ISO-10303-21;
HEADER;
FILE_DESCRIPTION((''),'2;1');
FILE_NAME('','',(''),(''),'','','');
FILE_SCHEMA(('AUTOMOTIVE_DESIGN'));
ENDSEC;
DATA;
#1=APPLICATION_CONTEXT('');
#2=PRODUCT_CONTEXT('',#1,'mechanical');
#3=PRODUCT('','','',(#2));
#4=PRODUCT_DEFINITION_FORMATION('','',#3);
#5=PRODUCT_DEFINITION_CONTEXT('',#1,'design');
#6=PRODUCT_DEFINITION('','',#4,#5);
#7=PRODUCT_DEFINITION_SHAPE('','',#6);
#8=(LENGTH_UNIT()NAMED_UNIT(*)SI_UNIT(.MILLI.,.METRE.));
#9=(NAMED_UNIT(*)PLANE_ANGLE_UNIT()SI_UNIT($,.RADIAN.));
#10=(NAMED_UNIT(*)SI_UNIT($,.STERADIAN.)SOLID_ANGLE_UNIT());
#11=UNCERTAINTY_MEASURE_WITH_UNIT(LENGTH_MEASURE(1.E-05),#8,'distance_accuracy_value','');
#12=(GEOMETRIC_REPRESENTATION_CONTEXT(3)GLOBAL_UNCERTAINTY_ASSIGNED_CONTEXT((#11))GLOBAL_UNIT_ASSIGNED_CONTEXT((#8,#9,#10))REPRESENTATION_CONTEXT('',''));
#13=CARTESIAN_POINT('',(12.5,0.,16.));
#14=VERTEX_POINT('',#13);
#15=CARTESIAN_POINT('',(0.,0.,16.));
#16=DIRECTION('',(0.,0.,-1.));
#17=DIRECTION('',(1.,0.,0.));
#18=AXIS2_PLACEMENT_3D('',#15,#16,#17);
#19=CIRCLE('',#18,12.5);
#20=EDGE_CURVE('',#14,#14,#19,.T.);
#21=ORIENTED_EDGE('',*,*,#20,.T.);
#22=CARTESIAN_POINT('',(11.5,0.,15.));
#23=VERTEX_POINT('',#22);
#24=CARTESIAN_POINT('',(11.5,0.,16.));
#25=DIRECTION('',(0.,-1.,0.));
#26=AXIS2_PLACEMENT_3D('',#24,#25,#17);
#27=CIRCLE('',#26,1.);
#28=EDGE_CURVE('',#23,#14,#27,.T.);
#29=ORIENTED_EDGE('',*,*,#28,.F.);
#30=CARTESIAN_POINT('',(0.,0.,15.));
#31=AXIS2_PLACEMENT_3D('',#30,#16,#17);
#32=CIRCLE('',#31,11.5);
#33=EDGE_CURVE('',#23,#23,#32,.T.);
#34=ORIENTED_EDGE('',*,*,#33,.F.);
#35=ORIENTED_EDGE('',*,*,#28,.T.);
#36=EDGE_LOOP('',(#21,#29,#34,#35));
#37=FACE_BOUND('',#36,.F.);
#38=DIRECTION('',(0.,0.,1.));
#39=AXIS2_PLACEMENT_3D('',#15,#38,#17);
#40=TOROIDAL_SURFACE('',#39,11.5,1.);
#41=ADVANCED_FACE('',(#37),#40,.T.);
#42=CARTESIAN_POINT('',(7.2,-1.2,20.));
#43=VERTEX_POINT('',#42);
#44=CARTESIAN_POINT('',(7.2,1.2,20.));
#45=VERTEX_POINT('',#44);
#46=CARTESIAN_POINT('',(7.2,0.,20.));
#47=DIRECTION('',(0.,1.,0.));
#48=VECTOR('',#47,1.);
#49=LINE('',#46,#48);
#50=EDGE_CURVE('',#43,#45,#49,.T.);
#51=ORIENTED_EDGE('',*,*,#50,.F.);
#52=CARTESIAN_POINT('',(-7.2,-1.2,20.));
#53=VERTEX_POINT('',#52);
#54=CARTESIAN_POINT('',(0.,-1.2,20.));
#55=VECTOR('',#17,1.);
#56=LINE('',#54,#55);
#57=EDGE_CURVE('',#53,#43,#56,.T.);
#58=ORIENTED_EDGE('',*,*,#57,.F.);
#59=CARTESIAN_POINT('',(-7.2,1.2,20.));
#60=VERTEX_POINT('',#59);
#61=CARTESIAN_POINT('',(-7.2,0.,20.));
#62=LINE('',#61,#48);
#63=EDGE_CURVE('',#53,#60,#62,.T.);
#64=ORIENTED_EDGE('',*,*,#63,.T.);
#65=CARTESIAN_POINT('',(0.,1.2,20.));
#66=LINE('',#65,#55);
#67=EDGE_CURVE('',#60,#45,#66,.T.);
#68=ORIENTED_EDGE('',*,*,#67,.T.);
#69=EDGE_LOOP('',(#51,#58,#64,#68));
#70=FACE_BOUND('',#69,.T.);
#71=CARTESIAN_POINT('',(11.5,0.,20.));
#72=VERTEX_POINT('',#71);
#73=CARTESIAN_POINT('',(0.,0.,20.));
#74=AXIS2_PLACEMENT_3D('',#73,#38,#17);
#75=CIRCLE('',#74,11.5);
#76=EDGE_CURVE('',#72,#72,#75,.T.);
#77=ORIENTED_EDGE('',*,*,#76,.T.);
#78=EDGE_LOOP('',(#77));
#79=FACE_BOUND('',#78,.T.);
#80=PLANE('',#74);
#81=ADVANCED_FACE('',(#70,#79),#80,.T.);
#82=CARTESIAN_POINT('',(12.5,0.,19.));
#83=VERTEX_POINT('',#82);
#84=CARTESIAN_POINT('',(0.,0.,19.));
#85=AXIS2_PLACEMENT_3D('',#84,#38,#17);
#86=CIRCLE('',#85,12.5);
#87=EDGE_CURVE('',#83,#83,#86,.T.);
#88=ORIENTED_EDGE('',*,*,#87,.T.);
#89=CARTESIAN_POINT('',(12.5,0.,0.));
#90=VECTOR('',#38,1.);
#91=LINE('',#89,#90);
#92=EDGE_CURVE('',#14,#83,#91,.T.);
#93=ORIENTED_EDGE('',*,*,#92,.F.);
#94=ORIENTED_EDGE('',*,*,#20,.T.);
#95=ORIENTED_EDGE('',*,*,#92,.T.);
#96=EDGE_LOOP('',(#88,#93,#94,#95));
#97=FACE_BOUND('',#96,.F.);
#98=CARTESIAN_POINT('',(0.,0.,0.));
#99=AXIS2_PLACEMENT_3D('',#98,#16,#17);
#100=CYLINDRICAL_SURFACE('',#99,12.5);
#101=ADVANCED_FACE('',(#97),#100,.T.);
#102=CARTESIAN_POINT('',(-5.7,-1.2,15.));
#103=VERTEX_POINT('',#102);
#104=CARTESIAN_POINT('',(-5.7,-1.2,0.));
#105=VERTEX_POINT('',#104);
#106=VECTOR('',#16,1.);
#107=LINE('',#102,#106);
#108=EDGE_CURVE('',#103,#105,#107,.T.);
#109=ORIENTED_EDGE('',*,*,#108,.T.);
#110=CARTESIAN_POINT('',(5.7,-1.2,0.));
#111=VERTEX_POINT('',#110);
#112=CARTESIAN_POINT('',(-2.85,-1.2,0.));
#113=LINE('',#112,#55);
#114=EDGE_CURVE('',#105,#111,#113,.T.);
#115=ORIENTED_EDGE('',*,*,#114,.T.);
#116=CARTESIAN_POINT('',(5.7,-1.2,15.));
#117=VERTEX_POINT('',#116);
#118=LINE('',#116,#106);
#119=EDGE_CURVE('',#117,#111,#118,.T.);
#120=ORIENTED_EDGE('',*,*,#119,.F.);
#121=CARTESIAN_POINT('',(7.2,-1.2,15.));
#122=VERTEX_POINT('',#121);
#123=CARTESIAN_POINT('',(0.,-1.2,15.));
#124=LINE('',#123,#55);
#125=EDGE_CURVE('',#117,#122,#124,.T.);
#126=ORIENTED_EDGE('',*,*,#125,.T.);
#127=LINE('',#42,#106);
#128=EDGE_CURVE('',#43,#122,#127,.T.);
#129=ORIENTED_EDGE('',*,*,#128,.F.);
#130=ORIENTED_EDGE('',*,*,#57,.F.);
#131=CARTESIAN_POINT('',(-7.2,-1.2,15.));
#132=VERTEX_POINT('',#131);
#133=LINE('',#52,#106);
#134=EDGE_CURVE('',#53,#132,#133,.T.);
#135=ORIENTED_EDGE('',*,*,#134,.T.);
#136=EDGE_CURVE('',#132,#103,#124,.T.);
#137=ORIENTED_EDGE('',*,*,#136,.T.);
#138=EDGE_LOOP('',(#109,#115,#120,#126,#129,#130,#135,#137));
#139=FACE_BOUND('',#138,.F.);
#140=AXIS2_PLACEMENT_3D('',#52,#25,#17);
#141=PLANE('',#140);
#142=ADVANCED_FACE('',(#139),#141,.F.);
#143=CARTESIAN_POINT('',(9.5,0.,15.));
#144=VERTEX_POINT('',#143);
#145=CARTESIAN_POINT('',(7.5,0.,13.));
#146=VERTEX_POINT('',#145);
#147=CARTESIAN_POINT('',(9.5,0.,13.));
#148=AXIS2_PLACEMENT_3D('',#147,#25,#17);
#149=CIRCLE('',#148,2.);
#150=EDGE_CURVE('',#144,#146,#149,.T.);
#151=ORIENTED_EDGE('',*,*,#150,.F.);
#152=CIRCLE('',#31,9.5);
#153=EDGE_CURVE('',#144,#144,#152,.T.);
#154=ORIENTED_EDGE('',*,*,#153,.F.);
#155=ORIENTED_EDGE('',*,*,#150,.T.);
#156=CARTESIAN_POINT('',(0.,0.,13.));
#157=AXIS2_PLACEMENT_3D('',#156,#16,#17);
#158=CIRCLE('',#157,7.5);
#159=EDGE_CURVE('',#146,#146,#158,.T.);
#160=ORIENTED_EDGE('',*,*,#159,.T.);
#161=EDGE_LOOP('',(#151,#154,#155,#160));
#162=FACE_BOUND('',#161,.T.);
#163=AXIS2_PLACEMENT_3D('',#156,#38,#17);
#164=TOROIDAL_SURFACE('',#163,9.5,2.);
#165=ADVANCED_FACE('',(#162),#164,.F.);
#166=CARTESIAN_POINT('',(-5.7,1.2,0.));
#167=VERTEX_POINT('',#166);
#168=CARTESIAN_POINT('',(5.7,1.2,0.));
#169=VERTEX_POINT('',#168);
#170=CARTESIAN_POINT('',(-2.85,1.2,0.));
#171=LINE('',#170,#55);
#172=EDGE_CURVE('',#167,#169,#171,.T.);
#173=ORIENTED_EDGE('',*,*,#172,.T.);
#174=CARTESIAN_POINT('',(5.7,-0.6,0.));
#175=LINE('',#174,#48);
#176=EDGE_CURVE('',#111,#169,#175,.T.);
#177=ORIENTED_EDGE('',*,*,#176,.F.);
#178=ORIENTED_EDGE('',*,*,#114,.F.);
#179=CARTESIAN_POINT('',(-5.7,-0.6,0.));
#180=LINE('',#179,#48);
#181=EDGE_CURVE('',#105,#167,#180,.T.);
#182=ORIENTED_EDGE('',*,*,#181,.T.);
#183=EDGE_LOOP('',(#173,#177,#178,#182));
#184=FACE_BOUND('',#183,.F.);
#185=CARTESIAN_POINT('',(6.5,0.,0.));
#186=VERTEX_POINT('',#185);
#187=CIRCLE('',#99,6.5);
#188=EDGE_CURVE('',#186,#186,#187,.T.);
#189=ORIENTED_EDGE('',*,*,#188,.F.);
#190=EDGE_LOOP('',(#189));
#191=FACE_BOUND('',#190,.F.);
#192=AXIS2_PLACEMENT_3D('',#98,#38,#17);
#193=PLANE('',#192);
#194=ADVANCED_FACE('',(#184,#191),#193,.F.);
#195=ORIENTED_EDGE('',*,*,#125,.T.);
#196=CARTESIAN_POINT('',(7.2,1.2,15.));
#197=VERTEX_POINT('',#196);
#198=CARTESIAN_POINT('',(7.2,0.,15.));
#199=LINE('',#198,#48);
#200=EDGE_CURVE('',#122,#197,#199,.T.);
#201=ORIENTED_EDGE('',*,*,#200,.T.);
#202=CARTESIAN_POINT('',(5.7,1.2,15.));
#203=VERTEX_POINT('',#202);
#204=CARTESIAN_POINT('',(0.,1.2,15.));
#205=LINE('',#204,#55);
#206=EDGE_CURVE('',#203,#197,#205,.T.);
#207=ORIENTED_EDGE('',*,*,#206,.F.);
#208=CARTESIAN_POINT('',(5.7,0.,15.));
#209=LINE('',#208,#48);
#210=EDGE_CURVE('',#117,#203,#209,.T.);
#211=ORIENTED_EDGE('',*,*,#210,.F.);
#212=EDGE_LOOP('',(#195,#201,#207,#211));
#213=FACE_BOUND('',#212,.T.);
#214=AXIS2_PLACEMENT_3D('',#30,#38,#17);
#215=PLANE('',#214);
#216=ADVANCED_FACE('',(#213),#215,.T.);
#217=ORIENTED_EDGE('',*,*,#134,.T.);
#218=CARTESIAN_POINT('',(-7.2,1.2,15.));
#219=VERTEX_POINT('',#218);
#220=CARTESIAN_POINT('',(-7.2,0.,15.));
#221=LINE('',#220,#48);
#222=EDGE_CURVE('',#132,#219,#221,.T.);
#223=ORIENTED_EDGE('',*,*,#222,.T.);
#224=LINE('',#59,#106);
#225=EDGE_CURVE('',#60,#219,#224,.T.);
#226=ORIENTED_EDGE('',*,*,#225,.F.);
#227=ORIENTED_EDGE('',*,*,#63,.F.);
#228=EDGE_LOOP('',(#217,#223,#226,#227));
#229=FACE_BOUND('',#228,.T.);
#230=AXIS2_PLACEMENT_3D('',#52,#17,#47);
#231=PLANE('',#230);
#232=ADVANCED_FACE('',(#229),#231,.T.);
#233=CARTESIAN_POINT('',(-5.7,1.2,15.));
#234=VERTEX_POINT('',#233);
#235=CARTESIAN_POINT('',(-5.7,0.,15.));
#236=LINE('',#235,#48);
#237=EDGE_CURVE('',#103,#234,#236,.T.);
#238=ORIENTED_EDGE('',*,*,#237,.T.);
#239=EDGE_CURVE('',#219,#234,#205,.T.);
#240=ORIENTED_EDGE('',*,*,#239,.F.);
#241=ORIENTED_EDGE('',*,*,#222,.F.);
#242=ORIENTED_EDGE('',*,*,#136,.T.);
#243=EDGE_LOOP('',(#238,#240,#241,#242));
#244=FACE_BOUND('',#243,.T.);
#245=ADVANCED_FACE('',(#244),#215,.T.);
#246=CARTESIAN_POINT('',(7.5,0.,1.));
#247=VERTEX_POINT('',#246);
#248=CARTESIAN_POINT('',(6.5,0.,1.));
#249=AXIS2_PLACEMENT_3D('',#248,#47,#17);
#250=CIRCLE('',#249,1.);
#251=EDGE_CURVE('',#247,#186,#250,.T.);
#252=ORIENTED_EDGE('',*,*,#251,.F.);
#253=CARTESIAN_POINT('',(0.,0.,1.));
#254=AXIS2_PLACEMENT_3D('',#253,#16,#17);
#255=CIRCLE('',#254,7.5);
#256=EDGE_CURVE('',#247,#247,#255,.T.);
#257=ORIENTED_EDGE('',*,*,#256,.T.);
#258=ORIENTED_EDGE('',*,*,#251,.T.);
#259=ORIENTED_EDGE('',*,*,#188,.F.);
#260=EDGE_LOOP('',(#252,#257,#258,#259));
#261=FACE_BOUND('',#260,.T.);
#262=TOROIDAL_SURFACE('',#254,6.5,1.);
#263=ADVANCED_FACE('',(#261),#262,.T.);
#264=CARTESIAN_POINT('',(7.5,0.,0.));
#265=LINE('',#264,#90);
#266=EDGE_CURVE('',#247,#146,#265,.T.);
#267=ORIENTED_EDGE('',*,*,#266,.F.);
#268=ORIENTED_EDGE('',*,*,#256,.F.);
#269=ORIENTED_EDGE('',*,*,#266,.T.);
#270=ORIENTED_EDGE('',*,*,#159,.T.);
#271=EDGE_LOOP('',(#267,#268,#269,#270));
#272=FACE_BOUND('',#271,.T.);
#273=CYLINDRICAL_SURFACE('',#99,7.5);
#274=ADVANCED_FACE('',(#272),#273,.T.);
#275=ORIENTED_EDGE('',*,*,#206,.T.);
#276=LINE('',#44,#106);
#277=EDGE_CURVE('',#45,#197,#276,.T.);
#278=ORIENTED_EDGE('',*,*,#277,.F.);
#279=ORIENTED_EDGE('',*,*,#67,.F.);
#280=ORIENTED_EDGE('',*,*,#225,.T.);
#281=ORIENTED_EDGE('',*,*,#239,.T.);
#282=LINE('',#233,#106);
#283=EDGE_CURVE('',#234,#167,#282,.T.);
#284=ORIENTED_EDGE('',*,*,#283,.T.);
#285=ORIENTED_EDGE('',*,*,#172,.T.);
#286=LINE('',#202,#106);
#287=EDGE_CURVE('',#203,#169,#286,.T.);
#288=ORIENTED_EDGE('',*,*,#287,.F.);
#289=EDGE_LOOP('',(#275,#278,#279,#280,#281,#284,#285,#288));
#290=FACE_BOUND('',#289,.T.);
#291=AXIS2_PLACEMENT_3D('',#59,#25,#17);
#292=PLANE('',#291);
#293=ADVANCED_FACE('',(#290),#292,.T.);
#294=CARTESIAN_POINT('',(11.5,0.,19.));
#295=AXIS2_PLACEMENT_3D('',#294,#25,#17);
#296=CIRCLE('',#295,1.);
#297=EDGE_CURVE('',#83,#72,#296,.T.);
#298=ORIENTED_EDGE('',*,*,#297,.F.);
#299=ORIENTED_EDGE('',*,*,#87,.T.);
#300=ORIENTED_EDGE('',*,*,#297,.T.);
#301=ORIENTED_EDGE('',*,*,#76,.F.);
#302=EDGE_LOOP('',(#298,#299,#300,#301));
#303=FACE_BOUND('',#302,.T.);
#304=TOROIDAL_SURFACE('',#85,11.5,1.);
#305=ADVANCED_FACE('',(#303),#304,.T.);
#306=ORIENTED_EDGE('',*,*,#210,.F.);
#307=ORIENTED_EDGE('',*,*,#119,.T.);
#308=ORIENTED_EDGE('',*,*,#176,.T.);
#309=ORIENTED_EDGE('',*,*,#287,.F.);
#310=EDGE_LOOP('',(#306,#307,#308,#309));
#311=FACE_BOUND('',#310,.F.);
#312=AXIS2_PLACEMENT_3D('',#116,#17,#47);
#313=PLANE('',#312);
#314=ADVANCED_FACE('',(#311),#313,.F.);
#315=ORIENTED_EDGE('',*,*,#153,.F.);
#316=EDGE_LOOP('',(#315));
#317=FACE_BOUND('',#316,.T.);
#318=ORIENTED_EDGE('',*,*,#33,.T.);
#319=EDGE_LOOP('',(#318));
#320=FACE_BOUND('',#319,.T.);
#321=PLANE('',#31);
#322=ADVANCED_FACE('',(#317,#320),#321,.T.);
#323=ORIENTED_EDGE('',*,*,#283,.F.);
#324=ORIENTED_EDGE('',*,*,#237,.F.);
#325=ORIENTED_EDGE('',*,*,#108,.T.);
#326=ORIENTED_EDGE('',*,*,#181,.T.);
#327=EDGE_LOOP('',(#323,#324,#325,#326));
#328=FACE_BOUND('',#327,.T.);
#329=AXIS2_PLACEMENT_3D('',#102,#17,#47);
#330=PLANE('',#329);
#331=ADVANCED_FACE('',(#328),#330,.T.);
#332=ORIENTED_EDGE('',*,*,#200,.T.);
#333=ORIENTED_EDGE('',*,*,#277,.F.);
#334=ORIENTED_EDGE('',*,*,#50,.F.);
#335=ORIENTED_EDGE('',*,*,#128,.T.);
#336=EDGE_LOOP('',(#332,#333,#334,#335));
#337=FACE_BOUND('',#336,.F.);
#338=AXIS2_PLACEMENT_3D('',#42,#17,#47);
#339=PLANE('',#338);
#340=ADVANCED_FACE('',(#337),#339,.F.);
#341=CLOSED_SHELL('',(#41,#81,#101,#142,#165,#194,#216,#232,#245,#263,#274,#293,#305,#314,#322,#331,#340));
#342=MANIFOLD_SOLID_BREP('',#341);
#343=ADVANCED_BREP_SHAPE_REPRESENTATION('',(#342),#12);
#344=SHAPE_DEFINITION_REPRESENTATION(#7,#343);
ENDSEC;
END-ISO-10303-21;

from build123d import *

# Parameters (mm, degrees)
F0_R     = 12.5
F1_DEPTH = 20
F2_W     = 14.4
F2_H     = 2.4
F3_DEPTH = 5
F4_R     = 12.5
F4_R_2   = 7.5
F5_DEPTH = 15
F6_W     = 11.4
F6_H     = 2.4
F7_DEPTH = 15.001
F8_R     = 2
F9_R     = 1


with BuildPart() as f1:
    # F0 (on Top) → F1 (new body)
    with BuildSketch(Plane.XY):
        Circle(F0_R)
    extrude(amount=F1_DEPTH)

    # F2 (on face) → F3 (cut)
    with BuildSketch(Plane.XY.offset(20)):
        Rectangle(F2_W, F2_H)
    extrude(amount=-F3_DEPTH, mode=Mode.SUBTRACT)

    # F4 (on face) → F5 (cut)
    with BuildSketch(Plane(origin=(0, 0, 0), x_dir=(1, 0, 0), z_dir=(0, 0, -1))):
        Circle(F4_R)
        Circle(F4_R_2, mode=Mode.SUBTRACT)
    extrude(amount=-F5_DEPTH, mode=Mode.SUBTRACT)

    # F6 (on face) → F7 (cut, through all)
    with BuildSketch(Plane.XY.offset(15)):
        Rectangle(F6_W, F6_H)
    extrude(amount=-F7_DEPTH, mode=Mode.SUBTRACT)

    # F8
    f8_edges = [f1.edges().sort_by_distance(p)[0] for p in [
        (-7.5, 0, 15),
    ]]
    fillet(f8_edges, radius=F8_R)

    # F9
    f9_edges = [f1.edges().sort_by_distance(p)[0] for p in [
        (-12.5, 0, 20),
        (-12.5, 0, 15),
        (-7.5, 0, 0),
    ]]
    fillet(f9_edges, radius=F9_R)


solid = f1.part
